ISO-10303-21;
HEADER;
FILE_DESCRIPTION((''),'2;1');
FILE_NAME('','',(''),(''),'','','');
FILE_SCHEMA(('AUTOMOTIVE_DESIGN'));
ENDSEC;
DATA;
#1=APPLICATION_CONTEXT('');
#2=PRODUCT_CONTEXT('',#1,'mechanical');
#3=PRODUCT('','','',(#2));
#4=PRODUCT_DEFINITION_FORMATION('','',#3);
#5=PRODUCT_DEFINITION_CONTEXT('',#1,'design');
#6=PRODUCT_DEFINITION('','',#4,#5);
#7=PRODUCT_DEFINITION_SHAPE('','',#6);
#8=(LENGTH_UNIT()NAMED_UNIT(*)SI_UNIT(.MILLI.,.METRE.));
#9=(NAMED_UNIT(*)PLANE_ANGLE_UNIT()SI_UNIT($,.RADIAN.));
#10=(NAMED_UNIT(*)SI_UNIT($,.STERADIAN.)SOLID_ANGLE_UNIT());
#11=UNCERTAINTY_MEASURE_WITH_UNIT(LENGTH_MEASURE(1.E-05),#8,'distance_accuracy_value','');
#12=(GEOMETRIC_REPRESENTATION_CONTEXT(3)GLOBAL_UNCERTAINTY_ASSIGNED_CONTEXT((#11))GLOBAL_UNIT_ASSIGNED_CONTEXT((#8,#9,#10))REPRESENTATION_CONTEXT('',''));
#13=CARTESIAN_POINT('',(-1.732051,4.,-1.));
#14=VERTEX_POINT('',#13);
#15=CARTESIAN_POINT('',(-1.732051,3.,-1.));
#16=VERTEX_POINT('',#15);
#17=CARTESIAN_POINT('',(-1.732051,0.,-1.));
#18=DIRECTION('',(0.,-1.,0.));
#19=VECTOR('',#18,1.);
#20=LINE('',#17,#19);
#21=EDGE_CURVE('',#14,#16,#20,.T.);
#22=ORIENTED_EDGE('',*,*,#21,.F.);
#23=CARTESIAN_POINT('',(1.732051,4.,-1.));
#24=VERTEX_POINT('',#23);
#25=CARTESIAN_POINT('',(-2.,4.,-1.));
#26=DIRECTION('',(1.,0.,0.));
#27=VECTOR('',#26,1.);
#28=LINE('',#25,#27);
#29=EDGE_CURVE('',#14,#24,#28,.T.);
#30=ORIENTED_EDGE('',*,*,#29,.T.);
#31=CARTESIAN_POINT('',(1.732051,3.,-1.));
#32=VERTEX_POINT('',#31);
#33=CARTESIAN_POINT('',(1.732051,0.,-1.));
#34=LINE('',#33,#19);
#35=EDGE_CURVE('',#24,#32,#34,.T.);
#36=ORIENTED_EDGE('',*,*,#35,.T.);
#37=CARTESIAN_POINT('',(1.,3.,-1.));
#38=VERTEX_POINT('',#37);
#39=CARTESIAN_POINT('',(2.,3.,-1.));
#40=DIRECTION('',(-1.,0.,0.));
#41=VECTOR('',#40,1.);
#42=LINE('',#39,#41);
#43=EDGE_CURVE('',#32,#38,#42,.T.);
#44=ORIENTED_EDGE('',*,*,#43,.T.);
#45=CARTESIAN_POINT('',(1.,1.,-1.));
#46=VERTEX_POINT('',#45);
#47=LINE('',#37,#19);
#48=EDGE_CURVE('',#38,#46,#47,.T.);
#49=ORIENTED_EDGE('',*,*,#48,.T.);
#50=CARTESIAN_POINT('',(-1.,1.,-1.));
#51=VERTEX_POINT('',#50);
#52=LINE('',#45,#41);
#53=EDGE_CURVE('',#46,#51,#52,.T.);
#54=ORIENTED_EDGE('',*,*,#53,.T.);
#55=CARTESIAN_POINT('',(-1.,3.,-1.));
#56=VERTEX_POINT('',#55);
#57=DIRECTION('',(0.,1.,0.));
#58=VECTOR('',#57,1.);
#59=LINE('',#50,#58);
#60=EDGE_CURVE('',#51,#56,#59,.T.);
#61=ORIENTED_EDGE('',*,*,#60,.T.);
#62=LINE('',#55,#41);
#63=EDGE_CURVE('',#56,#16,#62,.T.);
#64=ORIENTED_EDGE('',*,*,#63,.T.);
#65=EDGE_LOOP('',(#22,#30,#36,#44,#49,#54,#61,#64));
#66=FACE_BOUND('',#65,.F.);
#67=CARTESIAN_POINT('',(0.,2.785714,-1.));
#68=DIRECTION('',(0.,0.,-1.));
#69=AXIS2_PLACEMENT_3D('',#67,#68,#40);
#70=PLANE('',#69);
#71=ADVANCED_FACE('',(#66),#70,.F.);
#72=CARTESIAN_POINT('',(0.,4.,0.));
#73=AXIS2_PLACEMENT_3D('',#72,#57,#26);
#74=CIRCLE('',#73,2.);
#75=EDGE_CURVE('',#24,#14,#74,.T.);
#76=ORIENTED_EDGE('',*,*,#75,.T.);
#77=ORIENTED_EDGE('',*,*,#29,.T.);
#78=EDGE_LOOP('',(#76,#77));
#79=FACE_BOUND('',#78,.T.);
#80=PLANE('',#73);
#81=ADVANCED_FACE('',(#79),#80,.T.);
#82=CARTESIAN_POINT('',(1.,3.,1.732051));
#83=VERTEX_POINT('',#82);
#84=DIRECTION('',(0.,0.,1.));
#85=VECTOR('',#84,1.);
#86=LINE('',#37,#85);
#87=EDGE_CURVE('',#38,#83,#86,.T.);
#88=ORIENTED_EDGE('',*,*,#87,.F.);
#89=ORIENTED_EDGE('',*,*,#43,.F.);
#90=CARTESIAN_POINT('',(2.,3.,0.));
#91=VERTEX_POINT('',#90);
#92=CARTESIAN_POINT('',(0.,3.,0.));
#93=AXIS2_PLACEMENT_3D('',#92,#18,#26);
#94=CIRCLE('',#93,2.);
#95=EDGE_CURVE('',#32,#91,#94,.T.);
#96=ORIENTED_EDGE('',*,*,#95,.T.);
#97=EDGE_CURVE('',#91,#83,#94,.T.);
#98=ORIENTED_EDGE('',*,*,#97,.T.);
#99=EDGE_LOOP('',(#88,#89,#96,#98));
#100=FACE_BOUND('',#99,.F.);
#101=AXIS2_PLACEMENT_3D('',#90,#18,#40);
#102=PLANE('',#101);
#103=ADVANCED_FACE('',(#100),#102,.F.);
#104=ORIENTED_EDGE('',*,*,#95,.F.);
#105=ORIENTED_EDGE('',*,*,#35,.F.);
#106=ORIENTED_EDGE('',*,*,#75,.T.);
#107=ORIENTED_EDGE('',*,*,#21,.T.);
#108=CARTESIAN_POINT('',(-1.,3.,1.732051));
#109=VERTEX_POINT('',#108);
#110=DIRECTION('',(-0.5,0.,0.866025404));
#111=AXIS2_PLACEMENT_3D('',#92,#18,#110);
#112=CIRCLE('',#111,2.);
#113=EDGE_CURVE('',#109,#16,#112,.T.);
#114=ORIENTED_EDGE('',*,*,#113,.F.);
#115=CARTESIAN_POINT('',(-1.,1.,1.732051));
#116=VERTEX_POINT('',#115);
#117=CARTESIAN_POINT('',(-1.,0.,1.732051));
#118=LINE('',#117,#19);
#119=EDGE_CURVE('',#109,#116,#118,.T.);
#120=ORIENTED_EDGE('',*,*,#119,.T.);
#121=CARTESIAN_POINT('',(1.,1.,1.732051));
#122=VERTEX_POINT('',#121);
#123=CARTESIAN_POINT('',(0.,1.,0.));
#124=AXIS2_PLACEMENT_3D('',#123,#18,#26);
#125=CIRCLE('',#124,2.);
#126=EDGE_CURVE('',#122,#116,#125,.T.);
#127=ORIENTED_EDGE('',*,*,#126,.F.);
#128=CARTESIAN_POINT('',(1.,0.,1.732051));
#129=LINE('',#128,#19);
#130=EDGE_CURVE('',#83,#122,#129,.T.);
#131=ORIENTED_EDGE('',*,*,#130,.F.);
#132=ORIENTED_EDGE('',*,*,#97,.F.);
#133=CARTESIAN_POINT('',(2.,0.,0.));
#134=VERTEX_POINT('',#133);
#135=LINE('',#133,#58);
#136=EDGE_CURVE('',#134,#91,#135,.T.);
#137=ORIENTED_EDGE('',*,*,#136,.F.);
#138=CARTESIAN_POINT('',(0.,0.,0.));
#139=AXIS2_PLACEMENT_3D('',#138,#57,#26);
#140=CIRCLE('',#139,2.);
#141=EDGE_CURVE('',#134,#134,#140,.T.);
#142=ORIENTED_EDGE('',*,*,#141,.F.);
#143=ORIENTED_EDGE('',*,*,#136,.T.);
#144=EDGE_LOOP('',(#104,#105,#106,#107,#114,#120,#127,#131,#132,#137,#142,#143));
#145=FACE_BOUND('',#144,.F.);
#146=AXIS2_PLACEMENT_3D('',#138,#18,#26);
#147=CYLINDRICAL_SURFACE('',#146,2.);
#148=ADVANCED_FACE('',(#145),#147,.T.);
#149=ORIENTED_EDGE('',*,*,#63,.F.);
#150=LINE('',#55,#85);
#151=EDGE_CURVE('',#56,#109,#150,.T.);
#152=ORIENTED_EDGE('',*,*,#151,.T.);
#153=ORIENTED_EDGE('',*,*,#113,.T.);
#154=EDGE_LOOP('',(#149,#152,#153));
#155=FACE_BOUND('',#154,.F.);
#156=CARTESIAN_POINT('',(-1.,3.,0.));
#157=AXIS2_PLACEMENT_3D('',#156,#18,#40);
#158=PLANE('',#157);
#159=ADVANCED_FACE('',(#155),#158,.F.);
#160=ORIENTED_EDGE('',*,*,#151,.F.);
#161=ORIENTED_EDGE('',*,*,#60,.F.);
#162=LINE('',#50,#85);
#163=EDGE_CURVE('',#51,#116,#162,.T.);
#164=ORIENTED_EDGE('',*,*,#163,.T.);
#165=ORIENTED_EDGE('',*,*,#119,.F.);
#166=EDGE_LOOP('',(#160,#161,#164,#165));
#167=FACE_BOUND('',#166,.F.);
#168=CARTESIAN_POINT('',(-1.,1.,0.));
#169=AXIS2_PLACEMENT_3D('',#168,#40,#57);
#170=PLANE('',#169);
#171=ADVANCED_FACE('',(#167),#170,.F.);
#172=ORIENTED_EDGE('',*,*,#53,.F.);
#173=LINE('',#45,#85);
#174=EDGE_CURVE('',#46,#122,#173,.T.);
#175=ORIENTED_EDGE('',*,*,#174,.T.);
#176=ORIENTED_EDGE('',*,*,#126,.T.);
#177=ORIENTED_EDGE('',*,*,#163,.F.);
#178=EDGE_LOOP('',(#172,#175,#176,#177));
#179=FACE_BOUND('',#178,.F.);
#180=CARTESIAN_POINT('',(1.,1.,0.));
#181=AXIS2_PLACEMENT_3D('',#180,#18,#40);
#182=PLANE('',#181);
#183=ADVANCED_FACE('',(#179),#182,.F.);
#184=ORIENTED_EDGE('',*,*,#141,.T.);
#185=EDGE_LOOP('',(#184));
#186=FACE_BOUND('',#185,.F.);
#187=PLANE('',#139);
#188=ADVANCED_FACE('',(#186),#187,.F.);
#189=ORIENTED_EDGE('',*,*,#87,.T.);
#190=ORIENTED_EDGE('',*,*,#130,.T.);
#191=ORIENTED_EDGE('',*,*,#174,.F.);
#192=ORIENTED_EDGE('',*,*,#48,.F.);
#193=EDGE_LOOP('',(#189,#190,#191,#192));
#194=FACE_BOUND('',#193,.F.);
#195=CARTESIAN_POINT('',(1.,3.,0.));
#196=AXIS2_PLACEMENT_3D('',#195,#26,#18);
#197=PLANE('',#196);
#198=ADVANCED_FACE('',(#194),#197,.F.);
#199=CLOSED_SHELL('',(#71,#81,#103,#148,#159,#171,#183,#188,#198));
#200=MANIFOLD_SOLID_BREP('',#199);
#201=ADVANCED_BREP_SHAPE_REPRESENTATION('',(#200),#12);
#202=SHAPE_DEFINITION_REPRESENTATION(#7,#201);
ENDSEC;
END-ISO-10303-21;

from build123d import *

# Parameters (mm, degrees)
SKETCH1_R               = 2
BOSS_EXTRUDE1_DEPTH     = 4
CUT_EXTRUDE1_DEPTH      = 3
CUT_EXTRUDE1_DEPTH_BACK = 1


with BuildPart() as part:
    # Sketch1 → Boss-Extrude1 (new body)
    with BuildSketch(Plane(origin=(0, 0, 0), x_dir=(1, 0, 0), z_dir=(0, 1, 0))):
        Circle(SKETCH1_R)
    extrude(amount=BOSS_EXTRUDE1_DEPTH)

    # Sketch2 → Cut-Extrude1 (cut, two sides)
    with BuildSketch(Plane.XY) as cut_extrude1_sk:
        Polygon((-2, 4), (2, 4), (2, 3), (1, 3), (1, 1), (-1, 1), (-1, 3), (-2, 3), align=None)
    extrude(amount=CUT_EXTRUDE1_DEPTH, mode=Mode.SUBTRACT)
    extrude(cut_extrude1_sk.sketch, amount=-CUT_EXTRUDE1_DEPTH_BACK, mode=Mode.SUBTRACT)


solid = part.part
